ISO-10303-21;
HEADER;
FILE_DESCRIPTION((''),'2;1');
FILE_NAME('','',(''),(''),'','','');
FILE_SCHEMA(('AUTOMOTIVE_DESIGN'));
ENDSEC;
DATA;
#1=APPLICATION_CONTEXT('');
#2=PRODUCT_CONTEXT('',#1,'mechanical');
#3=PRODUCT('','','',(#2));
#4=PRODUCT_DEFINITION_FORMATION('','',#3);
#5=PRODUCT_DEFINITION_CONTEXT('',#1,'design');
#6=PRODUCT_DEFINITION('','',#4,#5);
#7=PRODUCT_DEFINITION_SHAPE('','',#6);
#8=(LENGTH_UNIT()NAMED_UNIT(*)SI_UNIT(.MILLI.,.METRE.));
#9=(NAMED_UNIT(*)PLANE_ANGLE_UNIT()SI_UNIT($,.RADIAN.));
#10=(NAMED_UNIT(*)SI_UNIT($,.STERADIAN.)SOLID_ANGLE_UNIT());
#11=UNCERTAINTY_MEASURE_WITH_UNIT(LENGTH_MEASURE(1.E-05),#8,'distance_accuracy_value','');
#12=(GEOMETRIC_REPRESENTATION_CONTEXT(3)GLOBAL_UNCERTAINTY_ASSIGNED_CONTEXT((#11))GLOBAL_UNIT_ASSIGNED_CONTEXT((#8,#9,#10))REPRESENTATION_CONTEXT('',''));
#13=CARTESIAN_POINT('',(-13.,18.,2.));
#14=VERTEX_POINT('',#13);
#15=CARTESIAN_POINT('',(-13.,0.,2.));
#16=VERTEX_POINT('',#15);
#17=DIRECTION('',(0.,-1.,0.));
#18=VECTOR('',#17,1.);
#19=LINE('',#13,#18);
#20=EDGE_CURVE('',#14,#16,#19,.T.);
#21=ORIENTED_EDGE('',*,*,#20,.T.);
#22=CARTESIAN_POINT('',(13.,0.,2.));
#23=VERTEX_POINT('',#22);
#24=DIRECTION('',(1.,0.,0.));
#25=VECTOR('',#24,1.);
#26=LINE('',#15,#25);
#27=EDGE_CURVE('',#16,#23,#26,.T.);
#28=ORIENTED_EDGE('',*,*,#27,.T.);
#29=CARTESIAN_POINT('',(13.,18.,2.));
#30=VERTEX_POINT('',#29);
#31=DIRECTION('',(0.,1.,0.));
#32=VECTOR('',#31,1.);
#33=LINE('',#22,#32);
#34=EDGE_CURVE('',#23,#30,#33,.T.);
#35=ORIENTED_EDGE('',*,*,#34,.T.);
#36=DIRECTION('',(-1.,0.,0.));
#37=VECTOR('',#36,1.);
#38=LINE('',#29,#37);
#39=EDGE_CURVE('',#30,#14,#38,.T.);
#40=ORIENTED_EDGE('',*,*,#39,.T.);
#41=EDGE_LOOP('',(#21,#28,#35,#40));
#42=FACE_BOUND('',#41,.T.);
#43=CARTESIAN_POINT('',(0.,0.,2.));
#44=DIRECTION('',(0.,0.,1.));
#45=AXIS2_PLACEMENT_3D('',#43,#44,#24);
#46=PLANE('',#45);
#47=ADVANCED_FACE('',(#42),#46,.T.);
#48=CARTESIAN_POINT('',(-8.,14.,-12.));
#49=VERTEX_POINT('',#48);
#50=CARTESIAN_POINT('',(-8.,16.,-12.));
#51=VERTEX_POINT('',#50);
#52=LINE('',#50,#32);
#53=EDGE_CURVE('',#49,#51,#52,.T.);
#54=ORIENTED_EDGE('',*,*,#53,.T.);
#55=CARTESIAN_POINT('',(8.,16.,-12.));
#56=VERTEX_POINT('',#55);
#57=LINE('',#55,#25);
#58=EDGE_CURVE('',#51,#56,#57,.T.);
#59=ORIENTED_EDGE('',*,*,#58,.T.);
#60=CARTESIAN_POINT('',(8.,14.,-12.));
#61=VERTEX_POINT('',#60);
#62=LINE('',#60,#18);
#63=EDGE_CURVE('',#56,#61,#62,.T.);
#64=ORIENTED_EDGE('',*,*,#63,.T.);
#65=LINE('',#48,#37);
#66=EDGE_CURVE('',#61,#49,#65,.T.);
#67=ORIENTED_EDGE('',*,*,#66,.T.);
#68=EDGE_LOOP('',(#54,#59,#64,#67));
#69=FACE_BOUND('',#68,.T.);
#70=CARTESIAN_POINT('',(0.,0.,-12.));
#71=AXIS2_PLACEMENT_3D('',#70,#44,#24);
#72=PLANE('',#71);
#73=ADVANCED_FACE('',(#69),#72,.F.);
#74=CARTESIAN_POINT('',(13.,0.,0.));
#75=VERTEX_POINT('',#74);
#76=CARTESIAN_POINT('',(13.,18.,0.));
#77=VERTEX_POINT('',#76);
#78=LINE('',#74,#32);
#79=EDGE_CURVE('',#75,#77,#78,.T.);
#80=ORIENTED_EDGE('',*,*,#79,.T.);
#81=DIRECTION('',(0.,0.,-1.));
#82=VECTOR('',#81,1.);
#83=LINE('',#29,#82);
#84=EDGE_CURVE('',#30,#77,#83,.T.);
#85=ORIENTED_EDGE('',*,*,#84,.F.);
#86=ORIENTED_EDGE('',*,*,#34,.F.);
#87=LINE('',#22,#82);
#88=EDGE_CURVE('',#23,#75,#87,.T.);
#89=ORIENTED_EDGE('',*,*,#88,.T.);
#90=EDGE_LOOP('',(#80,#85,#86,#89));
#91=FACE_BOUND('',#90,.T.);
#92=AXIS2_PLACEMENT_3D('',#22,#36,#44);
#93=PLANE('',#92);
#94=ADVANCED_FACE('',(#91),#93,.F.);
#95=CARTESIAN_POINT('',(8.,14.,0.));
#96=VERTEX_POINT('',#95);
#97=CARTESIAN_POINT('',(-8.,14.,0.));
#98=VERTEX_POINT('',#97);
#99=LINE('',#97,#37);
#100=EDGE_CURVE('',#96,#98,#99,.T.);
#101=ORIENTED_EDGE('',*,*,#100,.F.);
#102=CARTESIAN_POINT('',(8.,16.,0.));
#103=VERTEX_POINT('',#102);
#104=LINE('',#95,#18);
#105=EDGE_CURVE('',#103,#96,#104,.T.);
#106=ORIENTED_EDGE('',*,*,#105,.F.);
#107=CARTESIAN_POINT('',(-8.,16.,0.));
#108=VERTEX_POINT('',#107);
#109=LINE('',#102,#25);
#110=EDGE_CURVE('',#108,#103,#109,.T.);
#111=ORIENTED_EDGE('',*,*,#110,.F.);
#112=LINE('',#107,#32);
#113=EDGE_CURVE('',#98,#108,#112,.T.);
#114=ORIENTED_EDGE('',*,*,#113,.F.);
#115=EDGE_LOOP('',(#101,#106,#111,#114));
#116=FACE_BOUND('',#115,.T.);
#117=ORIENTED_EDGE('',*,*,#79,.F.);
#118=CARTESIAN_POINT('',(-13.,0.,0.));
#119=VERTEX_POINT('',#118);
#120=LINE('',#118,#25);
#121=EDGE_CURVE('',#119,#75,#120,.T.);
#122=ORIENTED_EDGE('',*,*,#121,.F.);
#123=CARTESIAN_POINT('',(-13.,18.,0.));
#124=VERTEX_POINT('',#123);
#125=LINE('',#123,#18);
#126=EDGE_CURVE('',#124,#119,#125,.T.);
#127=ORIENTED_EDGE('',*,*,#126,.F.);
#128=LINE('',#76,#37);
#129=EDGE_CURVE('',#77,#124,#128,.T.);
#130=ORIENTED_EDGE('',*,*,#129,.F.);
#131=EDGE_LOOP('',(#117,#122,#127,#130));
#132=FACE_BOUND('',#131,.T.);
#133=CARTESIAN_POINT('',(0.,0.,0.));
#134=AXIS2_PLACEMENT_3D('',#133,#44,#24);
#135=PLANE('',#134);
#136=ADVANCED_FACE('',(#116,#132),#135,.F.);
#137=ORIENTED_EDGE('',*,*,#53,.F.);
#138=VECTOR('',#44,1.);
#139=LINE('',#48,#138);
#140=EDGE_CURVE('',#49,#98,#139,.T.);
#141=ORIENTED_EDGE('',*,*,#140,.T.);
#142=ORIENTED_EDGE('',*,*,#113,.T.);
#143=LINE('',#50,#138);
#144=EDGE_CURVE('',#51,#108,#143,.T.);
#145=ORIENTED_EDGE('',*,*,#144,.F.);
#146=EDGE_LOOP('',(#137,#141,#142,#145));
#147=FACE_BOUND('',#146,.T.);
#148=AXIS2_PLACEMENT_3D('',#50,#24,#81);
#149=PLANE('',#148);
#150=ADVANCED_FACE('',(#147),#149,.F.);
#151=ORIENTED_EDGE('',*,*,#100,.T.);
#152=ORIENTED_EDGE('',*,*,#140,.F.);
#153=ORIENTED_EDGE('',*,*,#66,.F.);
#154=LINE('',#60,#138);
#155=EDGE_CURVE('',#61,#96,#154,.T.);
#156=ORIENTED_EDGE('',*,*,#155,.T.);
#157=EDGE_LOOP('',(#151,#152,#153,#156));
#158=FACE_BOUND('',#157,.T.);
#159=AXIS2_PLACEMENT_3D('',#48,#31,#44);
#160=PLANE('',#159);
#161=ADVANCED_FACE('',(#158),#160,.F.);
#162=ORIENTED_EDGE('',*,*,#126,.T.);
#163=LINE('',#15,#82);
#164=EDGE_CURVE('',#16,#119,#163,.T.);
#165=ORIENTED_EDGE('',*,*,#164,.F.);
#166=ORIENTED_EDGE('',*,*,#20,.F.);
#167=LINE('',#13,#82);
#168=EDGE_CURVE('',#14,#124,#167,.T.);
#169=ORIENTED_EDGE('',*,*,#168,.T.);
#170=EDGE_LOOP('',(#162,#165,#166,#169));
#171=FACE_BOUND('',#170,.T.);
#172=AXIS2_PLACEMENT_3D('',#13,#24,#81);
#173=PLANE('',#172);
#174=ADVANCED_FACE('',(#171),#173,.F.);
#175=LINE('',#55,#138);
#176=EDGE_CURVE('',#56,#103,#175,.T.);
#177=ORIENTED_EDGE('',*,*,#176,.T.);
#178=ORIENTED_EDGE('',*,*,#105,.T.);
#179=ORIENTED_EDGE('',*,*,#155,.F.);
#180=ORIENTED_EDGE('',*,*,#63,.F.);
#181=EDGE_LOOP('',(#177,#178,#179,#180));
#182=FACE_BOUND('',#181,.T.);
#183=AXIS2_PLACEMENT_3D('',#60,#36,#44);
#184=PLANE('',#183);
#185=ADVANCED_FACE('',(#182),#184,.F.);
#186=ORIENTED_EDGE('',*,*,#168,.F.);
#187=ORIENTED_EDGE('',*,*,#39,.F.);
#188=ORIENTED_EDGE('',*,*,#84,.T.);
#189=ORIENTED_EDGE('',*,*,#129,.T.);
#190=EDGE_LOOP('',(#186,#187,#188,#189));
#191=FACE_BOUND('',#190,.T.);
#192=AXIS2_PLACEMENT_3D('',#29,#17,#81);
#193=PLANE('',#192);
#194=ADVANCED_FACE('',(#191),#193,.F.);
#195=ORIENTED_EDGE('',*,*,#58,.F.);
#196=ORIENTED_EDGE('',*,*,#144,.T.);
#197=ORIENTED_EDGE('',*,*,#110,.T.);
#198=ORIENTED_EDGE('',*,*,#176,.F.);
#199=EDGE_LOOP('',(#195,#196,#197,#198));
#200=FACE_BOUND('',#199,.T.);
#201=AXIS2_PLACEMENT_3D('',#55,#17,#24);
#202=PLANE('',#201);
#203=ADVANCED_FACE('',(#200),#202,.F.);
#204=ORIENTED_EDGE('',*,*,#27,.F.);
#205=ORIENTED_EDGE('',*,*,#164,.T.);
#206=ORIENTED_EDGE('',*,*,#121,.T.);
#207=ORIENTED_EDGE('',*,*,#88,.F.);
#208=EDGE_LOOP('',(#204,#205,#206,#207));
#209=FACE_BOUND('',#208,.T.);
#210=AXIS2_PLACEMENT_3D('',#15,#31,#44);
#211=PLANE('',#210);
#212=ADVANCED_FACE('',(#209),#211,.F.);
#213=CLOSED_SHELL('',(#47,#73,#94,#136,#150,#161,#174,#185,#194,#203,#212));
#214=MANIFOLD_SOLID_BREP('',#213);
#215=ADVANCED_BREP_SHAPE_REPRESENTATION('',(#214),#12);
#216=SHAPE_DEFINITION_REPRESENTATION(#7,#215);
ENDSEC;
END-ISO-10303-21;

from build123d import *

# Parameters (mm, degrees)
SKETCH1_W           = 26
SKETCH1_H           = 18
BOSS_EXTRUDE1_DEPTH = 2
SKETCH2_W           = 16
SKETCH2_H           = 2
BOSS_EXTRUDE2_DEPTH = 12


with BuildPart() as part:
    # Sketch1 → Boss-Extrude1 (new body)
    with BuildSketch(Plane.XY):
        with Locations((0, 9)):
            Rectangle(SKETCH1_W, SKETCH1_H)
    extrude(amount=BOSS_EXTRUDE1_DEPTH)

    # Sketch2 → Boss-Extrude2 (add)
    with BuildSketch(Plane(origin=(0, 0, 0), x_dir=(-1, 0, 0), z_dir=(0, 0, -1))):
        with Locations((0, 15)):
            Rectangle(SKETCH2_W, SKETCH2_H)
    extrude(amount=BOSS_EXTRUDE2_DEPTH)


solid = part.part
